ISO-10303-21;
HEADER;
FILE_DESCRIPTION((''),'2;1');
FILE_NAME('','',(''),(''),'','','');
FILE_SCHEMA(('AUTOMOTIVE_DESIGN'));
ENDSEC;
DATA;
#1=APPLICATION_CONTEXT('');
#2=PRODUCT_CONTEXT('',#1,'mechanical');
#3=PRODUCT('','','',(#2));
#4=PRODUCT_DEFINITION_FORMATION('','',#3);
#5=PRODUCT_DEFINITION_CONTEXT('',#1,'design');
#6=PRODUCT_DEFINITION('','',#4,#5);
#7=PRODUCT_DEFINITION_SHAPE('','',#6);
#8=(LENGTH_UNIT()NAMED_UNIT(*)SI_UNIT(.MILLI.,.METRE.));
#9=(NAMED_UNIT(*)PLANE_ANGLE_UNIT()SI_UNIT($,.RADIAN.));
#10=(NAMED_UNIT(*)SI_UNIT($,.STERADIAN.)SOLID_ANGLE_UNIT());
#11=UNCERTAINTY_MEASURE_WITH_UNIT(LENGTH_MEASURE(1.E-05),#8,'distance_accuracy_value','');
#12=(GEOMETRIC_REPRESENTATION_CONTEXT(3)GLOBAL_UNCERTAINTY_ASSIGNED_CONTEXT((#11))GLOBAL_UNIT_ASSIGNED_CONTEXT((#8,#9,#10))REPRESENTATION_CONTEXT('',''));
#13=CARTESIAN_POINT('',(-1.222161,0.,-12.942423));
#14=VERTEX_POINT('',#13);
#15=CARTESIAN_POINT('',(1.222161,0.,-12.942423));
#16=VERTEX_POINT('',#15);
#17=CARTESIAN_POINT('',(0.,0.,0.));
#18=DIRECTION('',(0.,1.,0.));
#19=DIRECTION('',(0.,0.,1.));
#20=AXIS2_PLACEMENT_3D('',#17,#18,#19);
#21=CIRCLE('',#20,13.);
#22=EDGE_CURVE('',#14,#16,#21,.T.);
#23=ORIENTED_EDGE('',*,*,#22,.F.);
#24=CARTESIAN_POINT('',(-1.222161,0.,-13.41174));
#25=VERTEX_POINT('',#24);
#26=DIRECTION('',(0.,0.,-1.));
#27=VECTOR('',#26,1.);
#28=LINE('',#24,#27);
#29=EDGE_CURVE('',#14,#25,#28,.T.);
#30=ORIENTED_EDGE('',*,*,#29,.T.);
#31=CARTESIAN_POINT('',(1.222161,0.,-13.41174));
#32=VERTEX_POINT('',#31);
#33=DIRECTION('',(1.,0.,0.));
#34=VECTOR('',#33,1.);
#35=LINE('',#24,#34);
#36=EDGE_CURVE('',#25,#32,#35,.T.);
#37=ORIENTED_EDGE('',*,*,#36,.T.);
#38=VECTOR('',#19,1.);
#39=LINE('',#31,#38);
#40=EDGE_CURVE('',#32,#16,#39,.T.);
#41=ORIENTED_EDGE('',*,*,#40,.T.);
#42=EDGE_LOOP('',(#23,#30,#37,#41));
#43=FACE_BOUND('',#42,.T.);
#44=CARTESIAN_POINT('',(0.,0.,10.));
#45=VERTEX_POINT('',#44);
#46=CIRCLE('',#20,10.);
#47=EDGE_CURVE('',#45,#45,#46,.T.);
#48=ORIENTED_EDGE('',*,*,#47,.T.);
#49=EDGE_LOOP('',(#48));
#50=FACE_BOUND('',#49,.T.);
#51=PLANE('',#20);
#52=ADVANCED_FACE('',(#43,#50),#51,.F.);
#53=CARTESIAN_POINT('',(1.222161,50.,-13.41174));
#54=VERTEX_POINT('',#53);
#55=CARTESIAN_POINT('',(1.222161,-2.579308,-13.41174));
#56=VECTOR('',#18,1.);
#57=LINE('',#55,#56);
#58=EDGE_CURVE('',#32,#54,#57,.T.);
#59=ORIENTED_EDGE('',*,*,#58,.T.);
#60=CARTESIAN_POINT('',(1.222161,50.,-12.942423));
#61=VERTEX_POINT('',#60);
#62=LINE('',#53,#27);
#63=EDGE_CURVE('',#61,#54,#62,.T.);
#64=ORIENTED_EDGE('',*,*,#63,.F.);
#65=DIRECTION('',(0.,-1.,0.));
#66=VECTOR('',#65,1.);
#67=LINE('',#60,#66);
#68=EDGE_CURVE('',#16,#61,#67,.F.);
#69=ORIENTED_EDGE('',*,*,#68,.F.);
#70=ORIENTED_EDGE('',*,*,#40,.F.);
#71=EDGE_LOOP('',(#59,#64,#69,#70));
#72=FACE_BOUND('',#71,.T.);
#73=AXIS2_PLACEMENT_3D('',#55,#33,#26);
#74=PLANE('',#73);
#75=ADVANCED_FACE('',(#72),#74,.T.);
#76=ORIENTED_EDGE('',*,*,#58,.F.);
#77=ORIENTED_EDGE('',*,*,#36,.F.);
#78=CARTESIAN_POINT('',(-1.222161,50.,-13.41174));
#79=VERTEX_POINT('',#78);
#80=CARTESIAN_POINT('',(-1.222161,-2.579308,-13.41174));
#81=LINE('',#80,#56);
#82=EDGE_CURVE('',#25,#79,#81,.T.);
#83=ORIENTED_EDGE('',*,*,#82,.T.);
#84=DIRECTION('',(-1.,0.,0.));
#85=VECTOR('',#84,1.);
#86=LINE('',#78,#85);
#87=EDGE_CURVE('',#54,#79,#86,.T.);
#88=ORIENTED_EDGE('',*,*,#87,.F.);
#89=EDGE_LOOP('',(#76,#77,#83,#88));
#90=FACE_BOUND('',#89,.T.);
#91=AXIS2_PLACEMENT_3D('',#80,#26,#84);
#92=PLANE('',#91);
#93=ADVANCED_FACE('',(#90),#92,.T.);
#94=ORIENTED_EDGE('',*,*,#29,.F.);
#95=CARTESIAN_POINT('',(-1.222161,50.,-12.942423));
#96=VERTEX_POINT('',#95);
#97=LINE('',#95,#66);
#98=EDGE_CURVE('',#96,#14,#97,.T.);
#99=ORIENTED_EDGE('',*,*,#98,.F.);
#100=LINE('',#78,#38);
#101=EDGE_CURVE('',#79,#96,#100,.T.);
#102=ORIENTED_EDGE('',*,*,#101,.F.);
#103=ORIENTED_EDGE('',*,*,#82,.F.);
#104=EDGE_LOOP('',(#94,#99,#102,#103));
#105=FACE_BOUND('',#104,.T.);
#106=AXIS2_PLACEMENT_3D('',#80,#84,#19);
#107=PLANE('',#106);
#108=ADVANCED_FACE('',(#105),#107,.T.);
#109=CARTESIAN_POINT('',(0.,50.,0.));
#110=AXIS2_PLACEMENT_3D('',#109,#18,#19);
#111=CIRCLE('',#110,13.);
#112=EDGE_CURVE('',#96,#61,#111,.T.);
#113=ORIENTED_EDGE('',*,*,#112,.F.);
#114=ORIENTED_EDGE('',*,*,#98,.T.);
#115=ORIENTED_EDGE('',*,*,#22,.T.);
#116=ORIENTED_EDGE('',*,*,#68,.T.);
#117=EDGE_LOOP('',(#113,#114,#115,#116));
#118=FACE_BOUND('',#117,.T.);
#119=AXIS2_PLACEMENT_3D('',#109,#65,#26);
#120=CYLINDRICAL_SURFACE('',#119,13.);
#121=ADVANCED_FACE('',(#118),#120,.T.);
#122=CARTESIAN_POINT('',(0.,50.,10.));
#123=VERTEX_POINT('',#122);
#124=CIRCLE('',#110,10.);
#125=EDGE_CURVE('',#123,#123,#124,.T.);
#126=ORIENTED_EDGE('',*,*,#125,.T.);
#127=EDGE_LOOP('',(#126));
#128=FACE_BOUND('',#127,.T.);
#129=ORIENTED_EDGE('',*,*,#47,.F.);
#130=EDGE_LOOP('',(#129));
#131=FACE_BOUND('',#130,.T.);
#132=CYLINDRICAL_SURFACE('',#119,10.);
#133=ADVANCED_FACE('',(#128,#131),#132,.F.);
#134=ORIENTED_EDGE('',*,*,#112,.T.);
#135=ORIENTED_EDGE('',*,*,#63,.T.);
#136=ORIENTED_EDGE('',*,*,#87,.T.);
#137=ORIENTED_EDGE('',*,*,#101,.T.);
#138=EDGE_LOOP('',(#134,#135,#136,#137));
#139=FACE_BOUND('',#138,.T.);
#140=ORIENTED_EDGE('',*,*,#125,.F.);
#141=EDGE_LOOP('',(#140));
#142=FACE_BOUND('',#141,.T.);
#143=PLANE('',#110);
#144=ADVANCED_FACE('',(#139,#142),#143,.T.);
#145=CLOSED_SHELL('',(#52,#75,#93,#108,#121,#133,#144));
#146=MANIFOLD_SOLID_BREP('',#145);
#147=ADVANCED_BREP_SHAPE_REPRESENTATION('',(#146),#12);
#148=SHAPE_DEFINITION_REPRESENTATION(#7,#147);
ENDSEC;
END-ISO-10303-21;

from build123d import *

# Parameters (mm, degrees)
CROQUIS1_R              = 13
CROQUIS1_R_2            = 10
SALIENTE_EXTRUIR1_DEPTH = 50
CROQUIS2_W              = 2.444322312
CROQUIS2_H              = 0.823480184
SALIENTE_EXTRUIR2_DEPTH = 50


with BuildPart() as part:
    # Croquis1 → Saliente-Extruir1 (new body)
    with BuildSketch(Plane(origin=(0, 0, 0), x_dir=(1, 0, 0), z_dir=(0, 1, 0))):
        with Locations(Location((0, 0, 0), (0, 0, 270))):
            Circle(CROQUIS1_R)
        with Locations(Location((0, 0, 0), (0, 0, 270))):
            Circle(CROQUIS1_R_2, mode=Mode.SUBTRACT)
    extrude(amount=SALIENTE_EXTRUIR1_DEPTH)

    # Croquis2 → Saliente-Extruir2 (add)
    with BuildSketch(Plane(origin=(0, 50, 0), x_dir=(1, 0, 0), z_dir=(0, 1, 0))):
        with Locations((0, 13)):
            Rectangle(CROQUIS2_W, CROQUIS2_H)
    extrude(amount=-SALIENTE_EXTRUIR2_DEPTH)


solid = part.part
